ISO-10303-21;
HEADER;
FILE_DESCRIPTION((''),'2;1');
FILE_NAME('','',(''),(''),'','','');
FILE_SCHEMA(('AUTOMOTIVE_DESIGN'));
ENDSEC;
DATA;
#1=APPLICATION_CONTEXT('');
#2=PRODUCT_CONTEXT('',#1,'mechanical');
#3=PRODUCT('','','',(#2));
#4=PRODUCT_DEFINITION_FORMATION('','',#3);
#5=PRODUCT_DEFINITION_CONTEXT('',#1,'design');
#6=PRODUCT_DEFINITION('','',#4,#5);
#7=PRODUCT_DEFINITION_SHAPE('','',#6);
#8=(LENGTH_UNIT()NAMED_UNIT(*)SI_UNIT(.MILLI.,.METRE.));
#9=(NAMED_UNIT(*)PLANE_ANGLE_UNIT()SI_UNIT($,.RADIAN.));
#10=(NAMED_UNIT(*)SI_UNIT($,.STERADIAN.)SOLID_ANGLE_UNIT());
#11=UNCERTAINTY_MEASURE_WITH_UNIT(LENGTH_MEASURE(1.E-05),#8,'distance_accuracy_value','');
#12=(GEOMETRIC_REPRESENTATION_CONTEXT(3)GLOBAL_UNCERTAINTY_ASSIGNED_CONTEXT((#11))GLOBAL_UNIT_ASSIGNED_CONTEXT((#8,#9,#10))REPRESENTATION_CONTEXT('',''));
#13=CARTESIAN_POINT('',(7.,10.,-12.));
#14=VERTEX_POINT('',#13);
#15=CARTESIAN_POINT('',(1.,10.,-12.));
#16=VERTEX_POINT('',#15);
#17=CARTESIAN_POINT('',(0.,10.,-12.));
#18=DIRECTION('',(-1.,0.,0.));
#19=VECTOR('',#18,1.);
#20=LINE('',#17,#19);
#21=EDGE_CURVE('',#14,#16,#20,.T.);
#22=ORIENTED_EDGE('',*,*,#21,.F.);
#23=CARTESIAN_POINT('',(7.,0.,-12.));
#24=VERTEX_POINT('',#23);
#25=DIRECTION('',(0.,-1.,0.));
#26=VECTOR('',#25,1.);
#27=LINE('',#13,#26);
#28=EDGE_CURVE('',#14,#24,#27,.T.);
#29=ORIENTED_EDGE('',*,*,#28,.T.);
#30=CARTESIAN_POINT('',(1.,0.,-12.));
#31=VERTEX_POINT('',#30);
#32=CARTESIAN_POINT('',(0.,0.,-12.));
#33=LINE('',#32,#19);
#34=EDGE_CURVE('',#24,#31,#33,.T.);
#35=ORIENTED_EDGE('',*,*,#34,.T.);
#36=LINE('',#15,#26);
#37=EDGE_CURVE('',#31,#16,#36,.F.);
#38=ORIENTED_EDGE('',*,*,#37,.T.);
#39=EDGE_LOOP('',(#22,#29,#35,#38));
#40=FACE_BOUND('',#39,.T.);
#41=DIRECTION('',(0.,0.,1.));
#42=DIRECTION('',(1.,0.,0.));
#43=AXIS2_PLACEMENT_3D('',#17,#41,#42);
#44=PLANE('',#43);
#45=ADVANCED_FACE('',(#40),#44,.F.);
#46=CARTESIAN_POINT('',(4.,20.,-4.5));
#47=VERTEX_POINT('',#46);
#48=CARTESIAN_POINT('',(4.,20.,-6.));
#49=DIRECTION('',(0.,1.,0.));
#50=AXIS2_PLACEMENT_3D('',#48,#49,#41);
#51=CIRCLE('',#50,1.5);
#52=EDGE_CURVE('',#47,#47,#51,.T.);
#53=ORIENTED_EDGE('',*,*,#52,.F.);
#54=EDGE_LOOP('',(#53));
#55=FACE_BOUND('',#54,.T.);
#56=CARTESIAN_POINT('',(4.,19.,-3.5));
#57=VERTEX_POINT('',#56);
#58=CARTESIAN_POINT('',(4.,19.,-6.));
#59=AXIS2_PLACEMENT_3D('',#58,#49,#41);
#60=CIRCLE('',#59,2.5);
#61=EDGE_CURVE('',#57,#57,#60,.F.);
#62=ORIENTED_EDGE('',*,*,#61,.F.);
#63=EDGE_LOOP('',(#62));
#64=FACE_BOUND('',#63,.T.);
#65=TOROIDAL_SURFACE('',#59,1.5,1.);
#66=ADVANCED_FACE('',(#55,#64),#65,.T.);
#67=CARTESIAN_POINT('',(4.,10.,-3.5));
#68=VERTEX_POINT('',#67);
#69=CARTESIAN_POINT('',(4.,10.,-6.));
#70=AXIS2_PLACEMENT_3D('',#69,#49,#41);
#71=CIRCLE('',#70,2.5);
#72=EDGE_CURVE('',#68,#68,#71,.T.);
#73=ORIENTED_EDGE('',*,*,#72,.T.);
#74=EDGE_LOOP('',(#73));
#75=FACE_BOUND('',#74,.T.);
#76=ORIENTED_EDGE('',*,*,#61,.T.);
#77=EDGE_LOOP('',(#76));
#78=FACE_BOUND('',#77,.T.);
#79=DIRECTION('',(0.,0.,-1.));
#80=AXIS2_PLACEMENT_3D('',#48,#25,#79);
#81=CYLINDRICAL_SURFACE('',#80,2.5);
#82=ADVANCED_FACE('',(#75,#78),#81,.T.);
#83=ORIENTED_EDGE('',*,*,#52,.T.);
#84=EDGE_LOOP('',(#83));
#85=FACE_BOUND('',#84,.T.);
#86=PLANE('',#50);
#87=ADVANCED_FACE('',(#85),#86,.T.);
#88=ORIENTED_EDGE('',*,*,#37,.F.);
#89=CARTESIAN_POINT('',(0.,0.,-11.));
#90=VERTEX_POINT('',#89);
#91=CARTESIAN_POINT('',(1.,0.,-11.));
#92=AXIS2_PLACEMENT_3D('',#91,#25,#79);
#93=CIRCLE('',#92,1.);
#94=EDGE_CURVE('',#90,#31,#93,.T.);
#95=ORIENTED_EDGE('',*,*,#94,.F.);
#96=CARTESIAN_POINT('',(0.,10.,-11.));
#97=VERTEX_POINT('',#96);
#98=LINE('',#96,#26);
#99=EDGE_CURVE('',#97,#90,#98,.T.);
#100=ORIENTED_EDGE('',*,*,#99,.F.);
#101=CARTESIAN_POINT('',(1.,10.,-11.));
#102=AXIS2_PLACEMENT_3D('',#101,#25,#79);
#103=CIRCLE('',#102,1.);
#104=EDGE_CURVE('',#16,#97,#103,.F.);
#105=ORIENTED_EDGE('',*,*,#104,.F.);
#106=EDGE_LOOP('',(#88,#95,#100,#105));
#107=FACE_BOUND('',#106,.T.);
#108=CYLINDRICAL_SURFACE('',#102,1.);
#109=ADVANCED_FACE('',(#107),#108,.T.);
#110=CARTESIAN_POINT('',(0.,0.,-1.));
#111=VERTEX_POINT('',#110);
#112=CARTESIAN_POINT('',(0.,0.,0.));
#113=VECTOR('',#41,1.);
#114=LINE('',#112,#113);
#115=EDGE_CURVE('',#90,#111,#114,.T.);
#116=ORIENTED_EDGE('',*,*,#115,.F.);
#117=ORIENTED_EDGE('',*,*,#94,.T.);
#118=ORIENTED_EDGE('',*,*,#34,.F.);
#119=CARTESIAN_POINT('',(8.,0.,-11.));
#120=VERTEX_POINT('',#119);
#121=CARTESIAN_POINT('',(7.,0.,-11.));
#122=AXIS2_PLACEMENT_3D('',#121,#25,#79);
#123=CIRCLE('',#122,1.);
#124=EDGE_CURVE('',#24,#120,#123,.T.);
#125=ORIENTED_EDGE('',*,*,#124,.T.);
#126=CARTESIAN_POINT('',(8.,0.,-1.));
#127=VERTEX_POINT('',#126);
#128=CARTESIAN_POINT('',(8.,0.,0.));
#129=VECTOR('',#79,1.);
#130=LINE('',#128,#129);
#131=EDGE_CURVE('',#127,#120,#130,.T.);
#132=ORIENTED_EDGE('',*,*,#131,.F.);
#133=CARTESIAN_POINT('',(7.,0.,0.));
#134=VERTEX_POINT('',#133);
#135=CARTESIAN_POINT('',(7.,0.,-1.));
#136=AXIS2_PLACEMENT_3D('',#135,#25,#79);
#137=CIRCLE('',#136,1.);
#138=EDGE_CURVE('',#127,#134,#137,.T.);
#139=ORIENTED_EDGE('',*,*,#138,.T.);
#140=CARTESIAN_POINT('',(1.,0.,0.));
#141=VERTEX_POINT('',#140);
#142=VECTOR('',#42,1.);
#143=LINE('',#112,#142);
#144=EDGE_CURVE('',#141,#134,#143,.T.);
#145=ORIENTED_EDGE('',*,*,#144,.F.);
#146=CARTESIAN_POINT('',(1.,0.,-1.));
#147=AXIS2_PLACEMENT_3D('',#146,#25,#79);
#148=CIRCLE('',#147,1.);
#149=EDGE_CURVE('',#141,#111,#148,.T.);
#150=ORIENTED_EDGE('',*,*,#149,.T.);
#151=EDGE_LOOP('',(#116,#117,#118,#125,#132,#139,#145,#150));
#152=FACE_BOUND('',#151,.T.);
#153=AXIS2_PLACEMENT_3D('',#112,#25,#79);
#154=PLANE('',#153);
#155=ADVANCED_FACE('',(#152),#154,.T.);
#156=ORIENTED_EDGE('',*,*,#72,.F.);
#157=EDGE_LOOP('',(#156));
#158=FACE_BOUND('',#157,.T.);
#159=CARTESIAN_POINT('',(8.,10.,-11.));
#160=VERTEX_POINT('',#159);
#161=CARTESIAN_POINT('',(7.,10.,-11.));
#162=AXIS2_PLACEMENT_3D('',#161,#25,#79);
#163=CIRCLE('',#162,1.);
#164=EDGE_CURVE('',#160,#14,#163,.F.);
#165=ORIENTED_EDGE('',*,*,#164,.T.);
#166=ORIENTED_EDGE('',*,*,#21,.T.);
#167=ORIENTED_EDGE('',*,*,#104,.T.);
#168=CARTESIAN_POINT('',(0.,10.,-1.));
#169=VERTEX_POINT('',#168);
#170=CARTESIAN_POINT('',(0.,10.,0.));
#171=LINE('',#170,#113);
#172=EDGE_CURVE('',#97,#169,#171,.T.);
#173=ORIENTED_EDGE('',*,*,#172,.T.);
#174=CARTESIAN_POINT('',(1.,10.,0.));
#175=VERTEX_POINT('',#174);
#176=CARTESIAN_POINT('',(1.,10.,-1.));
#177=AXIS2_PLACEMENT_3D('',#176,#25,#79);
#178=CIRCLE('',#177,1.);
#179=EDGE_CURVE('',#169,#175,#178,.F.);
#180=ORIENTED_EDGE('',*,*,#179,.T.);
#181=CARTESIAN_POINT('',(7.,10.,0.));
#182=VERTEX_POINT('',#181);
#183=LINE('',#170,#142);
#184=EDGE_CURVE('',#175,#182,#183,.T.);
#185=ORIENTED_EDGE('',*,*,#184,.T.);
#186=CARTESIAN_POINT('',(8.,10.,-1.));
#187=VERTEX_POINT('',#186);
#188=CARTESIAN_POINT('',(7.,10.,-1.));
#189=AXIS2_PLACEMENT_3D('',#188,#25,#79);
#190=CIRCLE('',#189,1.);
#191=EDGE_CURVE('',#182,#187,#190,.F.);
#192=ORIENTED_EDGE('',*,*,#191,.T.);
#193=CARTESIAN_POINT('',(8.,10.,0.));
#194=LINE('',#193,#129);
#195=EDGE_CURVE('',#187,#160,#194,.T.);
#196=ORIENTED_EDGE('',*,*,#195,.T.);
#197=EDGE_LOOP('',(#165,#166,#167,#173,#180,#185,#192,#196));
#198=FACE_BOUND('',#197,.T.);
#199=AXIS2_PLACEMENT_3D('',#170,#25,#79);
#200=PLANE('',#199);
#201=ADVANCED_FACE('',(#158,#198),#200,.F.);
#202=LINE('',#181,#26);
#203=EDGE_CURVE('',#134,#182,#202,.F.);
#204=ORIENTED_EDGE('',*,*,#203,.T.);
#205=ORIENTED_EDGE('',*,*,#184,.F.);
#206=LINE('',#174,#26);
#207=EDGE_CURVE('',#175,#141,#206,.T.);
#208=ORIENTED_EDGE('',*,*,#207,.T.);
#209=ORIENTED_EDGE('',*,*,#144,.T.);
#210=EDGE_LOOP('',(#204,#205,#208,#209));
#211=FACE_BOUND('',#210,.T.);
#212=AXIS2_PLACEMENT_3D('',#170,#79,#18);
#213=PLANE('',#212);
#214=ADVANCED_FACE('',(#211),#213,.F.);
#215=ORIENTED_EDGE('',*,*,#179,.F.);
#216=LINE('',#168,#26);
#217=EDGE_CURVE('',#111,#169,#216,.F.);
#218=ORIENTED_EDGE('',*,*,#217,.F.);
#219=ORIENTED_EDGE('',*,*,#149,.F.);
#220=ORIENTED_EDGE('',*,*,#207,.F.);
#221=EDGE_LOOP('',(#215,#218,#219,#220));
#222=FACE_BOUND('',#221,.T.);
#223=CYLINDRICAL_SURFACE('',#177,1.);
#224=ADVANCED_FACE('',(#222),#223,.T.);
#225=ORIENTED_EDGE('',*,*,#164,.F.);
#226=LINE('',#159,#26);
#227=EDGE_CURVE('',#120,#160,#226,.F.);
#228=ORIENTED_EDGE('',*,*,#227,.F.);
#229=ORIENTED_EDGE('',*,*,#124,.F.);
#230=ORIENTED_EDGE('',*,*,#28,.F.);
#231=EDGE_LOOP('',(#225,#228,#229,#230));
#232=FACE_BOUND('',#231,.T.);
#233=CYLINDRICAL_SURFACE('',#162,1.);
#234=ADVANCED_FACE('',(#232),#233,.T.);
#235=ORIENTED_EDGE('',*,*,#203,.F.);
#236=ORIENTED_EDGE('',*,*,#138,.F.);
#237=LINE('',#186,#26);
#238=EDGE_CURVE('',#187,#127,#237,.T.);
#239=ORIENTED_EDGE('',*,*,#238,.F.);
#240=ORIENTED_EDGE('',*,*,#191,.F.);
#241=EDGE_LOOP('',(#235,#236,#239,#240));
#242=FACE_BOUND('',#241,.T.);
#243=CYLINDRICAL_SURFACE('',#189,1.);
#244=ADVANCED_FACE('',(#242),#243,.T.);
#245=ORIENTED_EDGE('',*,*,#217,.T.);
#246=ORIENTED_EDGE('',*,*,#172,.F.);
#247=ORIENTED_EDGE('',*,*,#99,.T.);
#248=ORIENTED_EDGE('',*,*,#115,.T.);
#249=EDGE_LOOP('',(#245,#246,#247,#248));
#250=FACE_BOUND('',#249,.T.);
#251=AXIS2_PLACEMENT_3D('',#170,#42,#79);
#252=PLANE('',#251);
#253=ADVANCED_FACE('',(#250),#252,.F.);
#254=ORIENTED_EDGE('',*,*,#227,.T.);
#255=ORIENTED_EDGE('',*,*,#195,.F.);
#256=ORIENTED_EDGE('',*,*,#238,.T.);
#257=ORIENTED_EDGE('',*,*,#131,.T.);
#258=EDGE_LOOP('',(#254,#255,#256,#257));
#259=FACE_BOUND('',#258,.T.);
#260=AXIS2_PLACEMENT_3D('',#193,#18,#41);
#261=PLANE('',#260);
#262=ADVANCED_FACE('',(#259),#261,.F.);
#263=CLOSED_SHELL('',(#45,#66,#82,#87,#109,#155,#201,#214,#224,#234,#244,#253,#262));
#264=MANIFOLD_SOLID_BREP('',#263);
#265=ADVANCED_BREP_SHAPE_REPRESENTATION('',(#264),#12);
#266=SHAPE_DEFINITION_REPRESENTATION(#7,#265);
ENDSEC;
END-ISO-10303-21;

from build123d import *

# Parameters (mm, degrees)
SKETCH1_W           = 8
SKETCH1_H           = 12
BOSS_EXTRUDE1_DEPTH = 10
SKETCH2_R           = 2.5
BOSS_EXTRUDE2_DEPTH = 10
FILLET1_R           = 1
FILLET2_R           = 1


with BuildPart() as part:
    # Sketch1 → Boss-Extrude1 (new body)
    with BuildSketch(Plane(origin=(0, 0, 0), x_dir=(1, 0, 0), z_dir=(0, 1, 0))):
        with Locations((4, 6)):
            Rectangle(SKETCH1_W, SKETCH1_H)
    extrude(amount=BOSS_EXTRUDE1_DEPTH)

    # Sketch2 → Boss-Extrude2 (add)
    with BuildSketch(Plane(origin=(0, 10, 0), x_dir=(1, 0, 0), z_dir=(0, 1, 0))):
        with Locations(Location((4, 6, 0), (0, 0, 270))):
            Circle(SKETCH2_R)
    extrude(amount=BOSS_EXTRUDE2_DEPTH)

    # Fillet1
    fillet1_edges = [part.edges().sort_by_distance(p)[0] for p in [
        (4, 20, -8.5),
    ]]
    fillet(fillet1_edges, radius=FILLET1_R)

    # Fillet2
    fillet2_edges = [part.edges().sort_by_distance(p)[0] for p in [
        (0, 5, -12),
        (8, 5, -12),
        (8, 5, 0),
        (0, 5, 0),
    ]]
    fillet(fillet2_edges, radius=FILLET2_R)


solid = part.part
